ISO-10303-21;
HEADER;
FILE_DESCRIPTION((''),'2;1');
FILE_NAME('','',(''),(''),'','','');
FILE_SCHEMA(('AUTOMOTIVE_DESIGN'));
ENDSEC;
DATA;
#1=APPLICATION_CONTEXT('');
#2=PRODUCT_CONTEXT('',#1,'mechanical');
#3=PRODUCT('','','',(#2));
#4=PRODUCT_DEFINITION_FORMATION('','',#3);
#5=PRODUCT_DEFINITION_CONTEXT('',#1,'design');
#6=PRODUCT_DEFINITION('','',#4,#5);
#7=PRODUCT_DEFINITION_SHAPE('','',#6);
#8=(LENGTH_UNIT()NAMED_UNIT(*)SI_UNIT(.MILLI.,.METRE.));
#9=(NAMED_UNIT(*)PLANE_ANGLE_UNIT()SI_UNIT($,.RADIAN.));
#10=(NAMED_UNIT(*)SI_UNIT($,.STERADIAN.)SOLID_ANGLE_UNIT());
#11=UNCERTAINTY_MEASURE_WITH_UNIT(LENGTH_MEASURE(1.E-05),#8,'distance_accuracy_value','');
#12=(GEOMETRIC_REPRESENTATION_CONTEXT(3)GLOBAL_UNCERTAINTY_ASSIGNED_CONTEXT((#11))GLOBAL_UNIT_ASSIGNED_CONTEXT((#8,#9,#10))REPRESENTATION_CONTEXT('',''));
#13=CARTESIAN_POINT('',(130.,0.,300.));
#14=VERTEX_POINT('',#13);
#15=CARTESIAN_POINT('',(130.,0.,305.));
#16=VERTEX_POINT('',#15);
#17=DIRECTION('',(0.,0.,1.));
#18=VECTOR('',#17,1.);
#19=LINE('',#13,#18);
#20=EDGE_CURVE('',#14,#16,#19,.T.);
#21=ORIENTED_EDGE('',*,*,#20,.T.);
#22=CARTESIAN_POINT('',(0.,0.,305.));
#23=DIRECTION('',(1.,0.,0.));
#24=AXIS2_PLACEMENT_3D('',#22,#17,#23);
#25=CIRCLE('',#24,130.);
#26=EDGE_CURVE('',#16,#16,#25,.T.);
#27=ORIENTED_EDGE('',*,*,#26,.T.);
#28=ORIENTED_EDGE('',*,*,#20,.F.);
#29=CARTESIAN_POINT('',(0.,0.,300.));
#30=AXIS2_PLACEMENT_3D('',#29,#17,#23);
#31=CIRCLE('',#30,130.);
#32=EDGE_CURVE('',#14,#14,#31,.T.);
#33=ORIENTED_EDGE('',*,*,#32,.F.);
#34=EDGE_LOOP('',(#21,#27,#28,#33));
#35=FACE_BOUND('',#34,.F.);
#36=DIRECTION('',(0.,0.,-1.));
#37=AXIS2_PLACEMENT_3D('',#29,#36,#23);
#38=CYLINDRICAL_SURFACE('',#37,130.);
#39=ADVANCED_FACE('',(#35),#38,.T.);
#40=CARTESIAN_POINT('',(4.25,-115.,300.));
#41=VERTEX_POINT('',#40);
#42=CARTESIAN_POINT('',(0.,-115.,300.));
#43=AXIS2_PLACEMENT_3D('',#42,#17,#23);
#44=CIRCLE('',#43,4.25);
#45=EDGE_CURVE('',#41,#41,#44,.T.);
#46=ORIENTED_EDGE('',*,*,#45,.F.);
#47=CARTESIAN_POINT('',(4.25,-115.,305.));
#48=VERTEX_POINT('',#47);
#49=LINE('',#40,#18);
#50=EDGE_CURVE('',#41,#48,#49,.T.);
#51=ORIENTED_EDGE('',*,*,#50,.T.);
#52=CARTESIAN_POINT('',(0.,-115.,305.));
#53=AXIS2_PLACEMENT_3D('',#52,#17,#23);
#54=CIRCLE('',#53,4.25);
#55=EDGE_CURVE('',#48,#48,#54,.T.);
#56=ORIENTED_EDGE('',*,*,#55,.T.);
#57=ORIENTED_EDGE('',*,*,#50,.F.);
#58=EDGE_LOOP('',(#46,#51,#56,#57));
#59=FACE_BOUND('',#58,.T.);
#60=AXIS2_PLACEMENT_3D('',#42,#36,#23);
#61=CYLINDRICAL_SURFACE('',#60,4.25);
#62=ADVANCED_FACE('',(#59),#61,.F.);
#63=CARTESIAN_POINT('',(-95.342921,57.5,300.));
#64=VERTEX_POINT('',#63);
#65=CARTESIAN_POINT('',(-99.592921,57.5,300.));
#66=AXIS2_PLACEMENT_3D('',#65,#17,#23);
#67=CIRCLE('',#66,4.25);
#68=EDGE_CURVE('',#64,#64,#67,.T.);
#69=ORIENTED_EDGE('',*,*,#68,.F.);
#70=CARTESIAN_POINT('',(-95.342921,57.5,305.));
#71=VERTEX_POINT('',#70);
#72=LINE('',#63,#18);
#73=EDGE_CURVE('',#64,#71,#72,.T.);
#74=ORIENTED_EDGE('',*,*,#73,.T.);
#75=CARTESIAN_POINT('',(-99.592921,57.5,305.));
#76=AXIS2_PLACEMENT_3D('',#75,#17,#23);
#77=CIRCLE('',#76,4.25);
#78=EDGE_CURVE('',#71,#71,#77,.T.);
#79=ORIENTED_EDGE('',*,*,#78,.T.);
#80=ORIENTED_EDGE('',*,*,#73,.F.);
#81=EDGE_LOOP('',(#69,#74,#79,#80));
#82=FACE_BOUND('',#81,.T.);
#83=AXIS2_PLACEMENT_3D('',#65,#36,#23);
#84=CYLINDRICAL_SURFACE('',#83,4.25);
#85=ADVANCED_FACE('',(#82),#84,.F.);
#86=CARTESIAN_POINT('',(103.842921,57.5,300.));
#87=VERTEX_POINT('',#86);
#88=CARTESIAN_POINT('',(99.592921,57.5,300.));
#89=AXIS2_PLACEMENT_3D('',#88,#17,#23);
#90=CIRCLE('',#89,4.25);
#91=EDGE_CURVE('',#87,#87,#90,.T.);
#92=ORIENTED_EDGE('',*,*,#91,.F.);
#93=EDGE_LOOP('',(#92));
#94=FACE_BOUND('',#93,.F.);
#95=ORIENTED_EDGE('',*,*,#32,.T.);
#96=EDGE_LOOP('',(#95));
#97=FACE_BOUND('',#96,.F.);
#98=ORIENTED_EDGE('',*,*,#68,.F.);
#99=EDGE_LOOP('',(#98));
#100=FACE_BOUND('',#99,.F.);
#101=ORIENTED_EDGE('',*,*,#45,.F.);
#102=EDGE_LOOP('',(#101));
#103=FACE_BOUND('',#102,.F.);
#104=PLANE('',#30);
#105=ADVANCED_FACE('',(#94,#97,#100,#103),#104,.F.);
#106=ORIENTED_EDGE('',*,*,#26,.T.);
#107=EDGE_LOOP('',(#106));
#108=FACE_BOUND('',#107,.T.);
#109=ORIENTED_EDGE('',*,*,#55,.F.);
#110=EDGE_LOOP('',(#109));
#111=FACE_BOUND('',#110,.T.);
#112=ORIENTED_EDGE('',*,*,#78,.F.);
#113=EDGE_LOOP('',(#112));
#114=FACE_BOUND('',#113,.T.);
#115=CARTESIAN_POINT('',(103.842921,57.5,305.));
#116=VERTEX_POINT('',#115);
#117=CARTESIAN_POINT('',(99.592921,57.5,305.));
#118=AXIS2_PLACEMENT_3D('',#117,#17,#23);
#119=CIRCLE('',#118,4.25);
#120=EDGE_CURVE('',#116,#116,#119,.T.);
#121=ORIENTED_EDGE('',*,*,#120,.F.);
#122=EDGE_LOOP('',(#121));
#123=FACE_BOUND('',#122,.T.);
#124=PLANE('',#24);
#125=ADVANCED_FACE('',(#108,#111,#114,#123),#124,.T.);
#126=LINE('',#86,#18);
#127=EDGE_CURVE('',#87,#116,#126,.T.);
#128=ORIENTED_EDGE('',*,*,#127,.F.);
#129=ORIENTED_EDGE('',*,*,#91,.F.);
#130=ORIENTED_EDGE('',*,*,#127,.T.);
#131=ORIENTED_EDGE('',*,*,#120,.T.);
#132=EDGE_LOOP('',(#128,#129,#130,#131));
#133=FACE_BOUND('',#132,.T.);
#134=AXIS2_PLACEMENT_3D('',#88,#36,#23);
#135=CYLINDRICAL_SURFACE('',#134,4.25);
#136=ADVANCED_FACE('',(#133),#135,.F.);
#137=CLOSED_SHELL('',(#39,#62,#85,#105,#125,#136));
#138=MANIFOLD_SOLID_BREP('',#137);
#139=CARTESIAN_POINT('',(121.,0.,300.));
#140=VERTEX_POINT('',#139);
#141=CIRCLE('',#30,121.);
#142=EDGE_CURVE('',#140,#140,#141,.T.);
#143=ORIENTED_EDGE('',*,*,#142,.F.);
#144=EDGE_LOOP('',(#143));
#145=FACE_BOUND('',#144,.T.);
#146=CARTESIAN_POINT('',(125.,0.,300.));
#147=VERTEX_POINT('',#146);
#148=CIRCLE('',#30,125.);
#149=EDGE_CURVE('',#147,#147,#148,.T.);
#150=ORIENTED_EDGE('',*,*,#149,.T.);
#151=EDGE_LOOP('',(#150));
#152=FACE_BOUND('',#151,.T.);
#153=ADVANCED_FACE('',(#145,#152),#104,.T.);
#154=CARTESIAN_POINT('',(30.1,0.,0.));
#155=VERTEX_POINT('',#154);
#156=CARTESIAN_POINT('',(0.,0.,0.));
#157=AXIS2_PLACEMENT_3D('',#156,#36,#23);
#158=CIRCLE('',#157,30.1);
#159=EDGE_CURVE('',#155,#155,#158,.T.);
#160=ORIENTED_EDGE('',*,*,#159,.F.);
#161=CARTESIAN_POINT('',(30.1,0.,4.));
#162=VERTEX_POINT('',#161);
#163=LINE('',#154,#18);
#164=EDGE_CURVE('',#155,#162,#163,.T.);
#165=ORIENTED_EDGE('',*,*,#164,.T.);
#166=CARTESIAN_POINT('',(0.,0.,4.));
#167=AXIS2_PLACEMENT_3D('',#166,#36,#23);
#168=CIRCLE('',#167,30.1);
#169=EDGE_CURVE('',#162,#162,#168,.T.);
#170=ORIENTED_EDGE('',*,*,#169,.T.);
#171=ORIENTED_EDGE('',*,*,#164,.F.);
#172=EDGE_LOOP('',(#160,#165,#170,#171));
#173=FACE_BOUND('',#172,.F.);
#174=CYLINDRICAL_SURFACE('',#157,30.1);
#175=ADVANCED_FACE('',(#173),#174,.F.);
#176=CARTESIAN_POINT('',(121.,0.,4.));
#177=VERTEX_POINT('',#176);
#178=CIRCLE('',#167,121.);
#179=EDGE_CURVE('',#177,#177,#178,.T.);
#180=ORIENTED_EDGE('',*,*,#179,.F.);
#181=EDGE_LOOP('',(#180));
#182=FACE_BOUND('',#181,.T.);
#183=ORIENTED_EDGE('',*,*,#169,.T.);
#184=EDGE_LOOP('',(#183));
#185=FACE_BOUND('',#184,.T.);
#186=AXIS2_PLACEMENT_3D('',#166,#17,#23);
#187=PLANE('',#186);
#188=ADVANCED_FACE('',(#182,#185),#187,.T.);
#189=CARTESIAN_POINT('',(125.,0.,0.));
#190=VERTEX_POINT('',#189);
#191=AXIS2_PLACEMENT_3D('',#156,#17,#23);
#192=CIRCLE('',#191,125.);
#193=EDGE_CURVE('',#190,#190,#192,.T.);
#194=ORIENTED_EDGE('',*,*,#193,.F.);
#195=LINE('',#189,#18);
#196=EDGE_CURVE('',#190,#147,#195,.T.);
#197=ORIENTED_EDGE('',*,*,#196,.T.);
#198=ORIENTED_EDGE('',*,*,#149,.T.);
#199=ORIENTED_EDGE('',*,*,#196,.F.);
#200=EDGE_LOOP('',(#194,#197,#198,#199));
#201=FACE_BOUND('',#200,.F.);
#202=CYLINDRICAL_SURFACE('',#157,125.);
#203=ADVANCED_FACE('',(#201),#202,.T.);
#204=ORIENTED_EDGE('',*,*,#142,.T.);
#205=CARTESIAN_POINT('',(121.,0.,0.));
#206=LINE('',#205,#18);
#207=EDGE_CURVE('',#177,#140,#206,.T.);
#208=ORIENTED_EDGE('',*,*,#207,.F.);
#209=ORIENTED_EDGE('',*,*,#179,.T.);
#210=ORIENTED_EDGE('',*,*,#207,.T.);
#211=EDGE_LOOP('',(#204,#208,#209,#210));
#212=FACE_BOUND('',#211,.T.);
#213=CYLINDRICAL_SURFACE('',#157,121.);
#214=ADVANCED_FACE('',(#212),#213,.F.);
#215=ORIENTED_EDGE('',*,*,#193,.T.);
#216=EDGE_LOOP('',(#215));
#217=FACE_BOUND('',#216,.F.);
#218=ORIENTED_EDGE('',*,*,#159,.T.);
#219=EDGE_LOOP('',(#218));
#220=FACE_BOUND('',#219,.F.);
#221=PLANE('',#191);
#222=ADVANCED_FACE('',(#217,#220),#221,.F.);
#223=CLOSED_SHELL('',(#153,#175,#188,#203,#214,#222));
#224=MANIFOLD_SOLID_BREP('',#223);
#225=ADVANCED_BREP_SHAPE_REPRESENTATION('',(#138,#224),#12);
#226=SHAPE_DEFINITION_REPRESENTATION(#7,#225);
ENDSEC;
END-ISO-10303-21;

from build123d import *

# Parameters (mm, degrees)
F0_R     = 125
F1_DEPTH = 300
F2_T     = -4
F3_R     = 30.1
F4_DEPTH = 25
F5_R     = 130
F5_R_2   = 125
F5_R_3   = 121
F5_R_4   = 4.25
F6_DEPTH = 5


with BuildPart() as f1:
    # F0 (on Top) → F1 (new body)
    with BuildSketch(Plane.XY):
        Circle(F0_R)
    extrude(amount=F1_DEPTH)

    # F2
    f2_openings = [f1.faces().sort_by_distance(p)[0] for p in [
        (0, 0, 300),
    ]]
    offset(amount=F2_T, openings=f2_openings)

    # F3 (on face) → F4 (cut)
    with BuildSketch(Plane(origin=(0, 0, 0), x_dir=(1, 0, 0), z_dir=(0, 0, -1))):
        Circle(F3_R)
    extrude(amount=-F4_DEPTH, mode=Mode.SUBTRACT)


with BuildPart() as f6:
    # F5 (on face) → F6 (new body)
    with BuildSketch(Plane.XY.offset(300)):
        Circle(F5_R)
        Circle(F5_R_2, mode=Mode.SUBTRACT)
        Circle(F5_R_2)
        Circle(F5_R_3, mode=Mode.SUBTRACT)
        Circle(F5_R_3)
        with Locations((0, -115)):
            Circle(F5_R_4, mode=Mode.SUBTRACT)
        with Locations((-99.5929214352, 57.5)):
            Circle(F5_R_4, mode=Mode.SUBTRACT)
        with Locations((99.5929214352, 57.5)):
            Circle(F5_R_4, mode=Mode.SUBTRACT)
    extrude(amount=F6_DEPTH)


solid = Compound([f1.part, f6.part])
